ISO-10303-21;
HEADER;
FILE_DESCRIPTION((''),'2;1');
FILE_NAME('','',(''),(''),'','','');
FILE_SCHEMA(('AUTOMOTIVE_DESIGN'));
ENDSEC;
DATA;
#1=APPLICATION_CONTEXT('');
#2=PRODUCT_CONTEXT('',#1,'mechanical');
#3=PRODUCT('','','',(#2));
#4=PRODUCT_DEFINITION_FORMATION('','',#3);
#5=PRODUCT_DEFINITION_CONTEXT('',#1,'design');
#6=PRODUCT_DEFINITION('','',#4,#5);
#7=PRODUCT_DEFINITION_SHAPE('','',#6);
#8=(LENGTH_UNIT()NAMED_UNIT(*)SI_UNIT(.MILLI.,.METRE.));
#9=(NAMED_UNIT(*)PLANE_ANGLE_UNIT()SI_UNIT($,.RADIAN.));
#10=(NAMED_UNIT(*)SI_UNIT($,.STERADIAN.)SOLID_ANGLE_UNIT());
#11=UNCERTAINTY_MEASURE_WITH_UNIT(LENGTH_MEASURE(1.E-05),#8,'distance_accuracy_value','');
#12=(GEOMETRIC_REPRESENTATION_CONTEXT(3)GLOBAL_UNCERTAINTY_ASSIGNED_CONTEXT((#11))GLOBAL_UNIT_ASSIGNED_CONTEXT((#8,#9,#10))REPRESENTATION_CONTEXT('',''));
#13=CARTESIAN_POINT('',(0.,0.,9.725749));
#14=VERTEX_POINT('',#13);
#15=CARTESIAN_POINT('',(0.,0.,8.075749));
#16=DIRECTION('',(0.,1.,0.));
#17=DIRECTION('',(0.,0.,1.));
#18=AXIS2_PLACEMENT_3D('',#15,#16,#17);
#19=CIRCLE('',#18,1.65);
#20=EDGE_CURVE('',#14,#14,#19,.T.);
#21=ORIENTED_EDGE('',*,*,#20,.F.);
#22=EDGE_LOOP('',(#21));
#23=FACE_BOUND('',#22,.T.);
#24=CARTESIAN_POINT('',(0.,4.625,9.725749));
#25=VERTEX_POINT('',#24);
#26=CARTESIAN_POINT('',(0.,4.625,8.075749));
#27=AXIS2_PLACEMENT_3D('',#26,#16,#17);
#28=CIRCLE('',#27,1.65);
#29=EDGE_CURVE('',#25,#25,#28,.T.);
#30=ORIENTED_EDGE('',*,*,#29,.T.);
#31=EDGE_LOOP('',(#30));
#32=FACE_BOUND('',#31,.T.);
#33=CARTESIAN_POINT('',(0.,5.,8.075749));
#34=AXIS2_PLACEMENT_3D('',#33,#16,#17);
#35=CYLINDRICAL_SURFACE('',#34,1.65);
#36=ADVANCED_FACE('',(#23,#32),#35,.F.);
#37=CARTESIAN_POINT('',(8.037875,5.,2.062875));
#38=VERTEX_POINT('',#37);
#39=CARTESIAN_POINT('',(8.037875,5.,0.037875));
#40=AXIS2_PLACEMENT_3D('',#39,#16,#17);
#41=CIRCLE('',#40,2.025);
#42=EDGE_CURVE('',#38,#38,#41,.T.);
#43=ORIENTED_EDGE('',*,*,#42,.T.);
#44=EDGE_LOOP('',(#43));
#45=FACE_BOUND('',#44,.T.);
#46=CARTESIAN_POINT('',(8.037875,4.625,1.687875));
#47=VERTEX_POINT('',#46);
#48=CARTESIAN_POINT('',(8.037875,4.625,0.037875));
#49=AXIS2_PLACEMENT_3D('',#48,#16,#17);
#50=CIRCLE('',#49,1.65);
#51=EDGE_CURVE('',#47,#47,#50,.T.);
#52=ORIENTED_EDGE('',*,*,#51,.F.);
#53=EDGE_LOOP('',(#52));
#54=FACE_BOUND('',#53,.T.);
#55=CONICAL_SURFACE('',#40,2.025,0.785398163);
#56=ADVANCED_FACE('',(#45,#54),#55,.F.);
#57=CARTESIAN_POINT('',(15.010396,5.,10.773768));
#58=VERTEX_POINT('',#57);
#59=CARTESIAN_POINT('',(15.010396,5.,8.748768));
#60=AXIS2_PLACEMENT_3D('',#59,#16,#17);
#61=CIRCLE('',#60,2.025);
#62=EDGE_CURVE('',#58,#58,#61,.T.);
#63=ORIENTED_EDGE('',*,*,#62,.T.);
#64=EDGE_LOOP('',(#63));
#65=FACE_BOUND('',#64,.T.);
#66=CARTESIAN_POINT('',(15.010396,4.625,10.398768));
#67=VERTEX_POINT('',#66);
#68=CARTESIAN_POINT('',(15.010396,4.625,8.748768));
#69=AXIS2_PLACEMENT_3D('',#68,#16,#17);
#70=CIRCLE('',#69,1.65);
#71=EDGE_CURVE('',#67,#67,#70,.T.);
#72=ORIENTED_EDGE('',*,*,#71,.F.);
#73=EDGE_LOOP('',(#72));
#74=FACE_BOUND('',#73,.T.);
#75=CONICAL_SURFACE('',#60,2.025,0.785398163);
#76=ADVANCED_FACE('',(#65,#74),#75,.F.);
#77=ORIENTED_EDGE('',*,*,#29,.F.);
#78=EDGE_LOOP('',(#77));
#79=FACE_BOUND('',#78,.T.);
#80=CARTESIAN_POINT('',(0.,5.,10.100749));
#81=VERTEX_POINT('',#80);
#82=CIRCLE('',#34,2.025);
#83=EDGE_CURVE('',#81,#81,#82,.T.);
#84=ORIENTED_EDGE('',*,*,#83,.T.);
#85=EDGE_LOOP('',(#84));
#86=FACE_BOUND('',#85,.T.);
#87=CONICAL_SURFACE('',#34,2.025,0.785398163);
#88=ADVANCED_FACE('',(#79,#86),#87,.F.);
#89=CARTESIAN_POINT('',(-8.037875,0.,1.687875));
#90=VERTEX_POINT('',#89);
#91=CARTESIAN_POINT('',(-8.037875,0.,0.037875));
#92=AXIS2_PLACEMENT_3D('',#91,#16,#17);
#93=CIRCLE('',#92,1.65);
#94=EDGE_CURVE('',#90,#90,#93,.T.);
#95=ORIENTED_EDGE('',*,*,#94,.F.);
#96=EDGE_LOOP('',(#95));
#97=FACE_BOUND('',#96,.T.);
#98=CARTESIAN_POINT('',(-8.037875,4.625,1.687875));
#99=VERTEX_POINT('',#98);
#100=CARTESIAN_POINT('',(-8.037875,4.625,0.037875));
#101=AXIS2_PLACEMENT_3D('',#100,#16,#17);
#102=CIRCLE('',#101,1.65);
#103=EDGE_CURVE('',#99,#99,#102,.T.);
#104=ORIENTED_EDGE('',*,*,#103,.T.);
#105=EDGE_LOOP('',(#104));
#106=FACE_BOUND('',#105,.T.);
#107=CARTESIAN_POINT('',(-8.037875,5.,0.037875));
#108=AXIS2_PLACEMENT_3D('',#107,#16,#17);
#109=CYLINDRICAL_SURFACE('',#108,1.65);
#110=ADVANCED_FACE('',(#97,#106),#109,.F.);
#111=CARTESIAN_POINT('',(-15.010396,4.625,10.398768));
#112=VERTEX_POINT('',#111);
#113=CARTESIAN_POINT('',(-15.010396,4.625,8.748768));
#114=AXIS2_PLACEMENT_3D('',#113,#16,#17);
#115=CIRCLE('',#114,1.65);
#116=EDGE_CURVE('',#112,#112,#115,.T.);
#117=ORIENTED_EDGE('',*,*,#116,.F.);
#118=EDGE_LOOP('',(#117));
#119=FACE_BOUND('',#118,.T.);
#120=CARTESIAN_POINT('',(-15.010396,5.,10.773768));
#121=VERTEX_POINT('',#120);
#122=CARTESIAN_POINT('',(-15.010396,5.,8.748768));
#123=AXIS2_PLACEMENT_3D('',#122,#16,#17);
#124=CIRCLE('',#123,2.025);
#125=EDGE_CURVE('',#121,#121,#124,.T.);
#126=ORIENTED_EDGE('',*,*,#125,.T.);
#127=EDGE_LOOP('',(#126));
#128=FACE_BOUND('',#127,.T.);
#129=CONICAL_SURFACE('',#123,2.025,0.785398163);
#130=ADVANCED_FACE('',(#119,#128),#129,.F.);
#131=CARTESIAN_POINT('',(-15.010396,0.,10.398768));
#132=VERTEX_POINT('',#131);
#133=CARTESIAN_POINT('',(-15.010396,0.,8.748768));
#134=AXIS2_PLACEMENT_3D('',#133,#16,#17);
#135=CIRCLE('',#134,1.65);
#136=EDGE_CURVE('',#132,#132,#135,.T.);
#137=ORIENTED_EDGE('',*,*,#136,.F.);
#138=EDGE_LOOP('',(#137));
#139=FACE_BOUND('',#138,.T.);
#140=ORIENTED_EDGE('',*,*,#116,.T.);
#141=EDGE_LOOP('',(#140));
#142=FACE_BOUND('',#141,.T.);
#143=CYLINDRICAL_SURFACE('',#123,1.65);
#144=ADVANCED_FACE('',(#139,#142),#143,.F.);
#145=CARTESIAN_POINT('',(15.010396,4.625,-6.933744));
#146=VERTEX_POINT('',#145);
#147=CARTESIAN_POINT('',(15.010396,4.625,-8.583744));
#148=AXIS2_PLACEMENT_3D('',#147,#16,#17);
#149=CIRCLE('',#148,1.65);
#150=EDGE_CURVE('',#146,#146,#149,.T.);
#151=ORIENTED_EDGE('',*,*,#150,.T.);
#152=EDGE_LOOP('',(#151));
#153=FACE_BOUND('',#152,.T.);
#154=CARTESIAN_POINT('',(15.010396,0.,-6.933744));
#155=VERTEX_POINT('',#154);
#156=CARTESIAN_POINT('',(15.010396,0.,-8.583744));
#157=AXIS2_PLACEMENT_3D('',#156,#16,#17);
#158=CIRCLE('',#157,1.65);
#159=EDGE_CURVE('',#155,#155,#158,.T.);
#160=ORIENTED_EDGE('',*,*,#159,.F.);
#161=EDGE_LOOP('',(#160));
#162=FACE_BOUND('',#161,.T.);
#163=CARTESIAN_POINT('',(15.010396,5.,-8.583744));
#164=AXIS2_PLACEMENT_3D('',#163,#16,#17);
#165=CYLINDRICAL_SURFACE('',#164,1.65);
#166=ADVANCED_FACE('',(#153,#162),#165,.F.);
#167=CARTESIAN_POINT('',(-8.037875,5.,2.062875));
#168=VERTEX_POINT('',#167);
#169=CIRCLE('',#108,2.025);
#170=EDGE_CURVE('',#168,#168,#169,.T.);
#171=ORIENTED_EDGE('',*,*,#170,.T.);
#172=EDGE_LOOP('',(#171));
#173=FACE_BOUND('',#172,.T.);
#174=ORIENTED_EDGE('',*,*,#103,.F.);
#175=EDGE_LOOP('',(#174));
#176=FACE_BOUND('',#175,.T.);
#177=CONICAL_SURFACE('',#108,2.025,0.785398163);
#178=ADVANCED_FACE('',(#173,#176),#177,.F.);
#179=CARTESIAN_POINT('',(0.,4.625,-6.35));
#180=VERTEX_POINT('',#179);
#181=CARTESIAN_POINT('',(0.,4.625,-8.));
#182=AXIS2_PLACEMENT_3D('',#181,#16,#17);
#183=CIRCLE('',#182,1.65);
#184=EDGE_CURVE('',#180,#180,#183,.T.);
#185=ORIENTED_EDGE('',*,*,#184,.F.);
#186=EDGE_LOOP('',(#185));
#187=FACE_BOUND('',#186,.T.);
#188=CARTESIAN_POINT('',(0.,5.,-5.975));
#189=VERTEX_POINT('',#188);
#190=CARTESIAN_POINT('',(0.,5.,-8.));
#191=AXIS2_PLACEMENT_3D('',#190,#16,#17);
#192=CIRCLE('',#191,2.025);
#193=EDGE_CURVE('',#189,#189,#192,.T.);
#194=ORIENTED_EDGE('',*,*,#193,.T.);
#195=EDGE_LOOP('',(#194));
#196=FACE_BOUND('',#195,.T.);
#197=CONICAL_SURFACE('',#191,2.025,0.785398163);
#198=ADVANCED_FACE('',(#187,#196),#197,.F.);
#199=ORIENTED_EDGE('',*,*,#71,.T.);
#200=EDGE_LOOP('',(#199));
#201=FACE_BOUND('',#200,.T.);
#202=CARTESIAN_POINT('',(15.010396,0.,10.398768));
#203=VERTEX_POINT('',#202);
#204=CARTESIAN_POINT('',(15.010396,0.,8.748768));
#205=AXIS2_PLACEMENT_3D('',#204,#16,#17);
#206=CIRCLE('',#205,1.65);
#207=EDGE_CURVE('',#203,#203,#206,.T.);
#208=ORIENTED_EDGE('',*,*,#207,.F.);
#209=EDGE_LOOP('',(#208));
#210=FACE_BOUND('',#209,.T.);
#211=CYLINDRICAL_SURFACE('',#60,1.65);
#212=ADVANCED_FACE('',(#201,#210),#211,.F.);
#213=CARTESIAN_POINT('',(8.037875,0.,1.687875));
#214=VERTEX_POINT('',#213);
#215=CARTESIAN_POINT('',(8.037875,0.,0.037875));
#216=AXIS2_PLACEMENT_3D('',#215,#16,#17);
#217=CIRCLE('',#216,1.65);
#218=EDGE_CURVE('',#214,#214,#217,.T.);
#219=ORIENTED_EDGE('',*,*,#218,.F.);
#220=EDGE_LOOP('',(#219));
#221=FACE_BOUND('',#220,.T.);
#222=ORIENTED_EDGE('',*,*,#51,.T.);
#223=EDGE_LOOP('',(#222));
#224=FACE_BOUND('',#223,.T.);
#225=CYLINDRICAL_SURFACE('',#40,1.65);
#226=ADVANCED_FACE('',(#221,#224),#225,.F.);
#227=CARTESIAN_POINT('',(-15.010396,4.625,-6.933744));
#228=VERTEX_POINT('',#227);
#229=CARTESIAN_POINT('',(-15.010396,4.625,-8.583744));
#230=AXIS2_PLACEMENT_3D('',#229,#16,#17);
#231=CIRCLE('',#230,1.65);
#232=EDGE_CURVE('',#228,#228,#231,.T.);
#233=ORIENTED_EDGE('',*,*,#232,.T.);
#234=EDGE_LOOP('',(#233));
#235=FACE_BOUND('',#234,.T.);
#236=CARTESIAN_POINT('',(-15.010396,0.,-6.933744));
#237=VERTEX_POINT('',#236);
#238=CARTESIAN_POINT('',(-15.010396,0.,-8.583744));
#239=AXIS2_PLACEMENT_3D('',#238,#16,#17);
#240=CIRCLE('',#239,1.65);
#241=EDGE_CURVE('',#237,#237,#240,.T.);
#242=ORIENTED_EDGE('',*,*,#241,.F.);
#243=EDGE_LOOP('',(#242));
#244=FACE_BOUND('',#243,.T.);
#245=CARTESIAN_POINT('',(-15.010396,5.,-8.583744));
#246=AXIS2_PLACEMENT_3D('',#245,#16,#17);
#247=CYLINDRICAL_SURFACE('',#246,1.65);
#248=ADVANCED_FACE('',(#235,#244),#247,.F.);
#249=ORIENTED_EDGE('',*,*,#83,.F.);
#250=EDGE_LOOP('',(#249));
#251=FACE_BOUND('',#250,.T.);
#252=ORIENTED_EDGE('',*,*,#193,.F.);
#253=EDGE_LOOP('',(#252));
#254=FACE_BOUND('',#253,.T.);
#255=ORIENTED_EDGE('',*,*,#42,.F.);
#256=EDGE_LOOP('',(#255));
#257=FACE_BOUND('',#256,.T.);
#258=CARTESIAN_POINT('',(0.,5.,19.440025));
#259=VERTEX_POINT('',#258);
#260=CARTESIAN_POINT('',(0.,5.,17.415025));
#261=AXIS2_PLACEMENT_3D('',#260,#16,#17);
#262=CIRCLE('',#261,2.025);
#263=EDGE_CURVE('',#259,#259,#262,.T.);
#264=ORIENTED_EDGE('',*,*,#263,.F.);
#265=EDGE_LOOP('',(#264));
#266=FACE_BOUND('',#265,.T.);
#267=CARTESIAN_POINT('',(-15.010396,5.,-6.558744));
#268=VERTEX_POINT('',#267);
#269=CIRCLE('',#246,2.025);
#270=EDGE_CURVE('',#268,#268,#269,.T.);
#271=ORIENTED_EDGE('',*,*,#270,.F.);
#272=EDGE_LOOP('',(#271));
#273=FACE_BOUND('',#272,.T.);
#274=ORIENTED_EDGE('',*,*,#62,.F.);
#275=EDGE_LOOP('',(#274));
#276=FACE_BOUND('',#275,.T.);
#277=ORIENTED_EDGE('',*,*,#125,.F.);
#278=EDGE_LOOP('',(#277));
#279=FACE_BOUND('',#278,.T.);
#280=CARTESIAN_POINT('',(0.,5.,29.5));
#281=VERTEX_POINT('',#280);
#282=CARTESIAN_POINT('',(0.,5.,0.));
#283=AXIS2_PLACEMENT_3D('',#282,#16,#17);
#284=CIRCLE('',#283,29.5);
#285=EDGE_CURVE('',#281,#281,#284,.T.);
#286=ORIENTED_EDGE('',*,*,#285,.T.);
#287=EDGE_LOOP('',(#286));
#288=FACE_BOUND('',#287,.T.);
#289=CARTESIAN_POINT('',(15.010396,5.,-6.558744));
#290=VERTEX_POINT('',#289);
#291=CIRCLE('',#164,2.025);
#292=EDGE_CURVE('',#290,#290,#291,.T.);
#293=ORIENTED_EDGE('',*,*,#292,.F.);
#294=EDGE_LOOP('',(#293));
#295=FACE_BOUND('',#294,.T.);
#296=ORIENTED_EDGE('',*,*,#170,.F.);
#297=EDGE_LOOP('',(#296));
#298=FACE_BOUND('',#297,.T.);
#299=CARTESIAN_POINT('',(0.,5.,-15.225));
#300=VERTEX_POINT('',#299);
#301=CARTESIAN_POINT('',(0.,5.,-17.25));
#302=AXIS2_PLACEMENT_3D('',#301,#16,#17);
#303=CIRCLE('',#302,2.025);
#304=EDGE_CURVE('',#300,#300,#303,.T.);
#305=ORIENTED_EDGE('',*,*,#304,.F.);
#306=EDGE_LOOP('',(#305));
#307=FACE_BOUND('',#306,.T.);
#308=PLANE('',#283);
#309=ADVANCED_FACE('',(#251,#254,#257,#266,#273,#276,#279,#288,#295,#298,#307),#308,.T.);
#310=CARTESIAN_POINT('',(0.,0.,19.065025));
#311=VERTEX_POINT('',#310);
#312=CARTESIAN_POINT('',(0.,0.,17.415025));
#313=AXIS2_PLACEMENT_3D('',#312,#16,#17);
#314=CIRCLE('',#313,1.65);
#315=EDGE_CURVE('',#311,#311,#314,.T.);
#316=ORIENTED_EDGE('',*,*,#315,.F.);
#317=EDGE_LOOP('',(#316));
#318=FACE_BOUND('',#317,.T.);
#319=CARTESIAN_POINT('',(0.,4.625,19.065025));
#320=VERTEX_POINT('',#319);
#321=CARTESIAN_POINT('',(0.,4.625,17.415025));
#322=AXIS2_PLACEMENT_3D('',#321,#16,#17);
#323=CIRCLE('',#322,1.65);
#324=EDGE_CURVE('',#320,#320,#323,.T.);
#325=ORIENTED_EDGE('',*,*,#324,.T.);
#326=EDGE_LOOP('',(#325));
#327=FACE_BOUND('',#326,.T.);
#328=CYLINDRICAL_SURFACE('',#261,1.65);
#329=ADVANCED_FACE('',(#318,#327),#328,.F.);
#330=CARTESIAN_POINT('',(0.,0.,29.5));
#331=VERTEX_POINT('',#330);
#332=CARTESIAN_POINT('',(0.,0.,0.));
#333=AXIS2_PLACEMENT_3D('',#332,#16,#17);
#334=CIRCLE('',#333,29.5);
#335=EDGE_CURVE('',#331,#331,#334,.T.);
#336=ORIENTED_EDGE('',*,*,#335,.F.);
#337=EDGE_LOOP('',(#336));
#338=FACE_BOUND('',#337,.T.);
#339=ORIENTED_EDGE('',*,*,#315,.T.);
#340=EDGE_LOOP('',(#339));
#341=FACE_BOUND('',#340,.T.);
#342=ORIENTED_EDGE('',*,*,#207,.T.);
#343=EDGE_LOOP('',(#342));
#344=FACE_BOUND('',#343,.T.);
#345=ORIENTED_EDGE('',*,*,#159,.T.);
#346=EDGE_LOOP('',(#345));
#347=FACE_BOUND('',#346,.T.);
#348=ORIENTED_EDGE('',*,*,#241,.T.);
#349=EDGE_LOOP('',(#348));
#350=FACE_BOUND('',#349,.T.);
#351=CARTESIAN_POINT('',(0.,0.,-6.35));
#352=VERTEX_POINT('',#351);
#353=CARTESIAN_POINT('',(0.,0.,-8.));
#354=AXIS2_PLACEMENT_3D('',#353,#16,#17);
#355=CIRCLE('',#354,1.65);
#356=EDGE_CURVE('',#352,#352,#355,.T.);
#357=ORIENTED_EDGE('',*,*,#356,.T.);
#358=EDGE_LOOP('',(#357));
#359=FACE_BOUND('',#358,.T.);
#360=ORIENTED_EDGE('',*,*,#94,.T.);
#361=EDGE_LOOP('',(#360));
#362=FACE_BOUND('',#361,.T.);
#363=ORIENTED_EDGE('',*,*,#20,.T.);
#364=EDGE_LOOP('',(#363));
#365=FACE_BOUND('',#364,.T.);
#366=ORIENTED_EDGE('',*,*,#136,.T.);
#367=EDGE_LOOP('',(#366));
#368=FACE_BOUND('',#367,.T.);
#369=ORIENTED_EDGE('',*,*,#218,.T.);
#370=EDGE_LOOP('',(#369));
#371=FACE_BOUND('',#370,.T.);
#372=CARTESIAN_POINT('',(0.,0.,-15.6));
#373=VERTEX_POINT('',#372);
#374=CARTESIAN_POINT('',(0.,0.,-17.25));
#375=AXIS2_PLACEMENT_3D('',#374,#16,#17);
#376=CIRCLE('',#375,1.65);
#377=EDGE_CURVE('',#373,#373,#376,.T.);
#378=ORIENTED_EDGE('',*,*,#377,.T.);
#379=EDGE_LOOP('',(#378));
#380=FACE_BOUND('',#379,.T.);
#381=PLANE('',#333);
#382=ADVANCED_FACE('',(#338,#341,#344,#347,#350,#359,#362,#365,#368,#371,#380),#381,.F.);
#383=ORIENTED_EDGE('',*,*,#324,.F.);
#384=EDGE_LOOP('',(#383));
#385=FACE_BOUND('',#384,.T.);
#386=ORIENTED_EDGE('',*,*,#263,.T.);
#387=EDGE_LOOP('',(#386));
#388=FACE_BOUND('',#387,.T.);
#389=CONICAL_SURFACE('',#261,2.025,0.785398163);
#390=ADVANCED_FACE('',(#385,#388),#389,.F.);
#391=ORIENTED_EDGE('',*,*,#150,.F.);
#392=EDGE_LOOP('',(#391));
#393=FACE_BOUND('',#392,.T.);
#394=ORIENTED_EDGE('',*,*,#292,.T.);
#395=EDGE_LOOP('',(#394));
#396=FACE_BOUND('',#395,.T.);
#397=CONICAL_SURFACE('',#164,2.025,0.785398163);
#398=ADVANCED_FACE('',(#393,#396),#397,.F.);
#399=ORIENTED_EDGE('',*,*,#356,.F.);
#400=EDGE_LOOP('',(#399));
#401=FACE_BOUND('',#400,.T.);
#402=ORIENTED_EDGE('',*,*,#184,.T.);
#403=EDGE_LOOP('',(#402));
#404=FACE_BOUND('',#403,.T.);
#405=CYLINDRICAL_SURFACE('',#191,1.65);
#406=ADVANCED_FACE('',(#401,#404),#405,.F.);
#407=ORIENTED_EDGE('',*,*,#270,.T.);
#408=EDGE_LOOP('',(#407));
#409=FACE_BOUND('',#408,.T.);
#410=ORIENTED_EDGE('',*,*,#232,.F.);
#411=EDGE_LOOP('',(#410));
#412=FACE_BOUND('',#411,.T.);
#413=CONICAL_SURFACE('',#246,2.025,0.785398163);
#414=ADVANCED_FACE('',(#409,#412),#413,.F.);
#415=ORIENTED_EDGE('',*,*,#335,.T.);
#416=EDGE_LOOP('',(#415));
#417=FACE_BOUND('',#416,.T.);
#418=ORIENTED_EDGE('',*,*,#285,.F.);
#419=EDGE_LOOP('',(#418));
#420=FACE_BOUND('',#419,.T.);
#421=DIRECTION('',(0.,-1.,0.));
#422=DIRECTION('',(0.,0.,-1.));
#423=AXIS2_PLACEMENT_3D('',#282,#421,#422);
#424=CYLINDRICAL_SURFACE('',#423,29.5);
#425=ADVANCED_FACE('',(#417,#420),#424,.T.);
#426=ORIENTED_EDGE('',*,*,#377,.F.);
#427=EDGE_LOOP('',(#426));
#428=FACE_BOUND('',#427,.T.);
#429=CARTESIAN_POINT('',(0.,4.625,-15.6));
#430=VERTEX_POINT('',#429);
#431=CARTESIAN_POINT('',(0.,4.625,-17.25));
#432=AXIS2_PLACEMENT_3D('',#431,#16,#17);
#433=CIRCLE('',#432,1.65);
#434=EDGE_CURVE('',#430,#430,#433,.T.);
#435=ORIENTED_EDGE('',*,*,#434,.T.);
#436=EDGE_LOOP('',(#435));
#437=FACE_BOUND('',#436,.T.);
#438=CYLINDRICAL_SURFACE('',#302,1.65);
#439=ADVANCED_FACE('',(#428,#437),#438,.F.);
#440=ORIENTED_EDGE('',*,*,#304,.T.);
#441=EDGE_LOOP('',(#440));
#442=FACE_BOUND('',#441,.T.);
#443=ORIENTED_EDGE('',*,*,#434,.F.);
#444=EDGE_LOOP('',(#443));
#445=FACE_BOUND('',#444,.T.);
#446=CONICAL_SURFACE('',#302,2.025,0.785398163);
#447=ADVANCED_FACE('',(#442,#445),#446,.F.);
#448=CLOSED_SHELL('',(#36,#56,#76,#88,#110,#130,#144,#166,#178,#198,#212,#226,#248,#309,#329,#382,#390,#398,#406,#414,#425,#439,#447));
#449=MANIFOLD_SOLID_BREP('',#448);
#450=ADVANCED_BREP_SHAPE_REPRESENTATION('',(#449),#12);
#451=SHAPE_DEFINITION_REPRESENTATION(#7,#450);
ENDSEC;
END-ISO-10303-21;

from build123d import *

# Parameters (mm, degrees)
SKETCH_1_R               = 29.5
EXTRUDE_1_DEPTH          = 5
PATTERN_CIRCULAR_1_COUNT = 4
PATTERN_CIRCULAR_2_COUNT = 6


with BuildPart() as part:
    # 草图1 → 凸台-拉伸1 (new body)
    with BuildSketch(Plane(origin=(0, 0, 0), x_dir=(1, 0, 0), z_dir=(0, 1, 0))):
        with Locations(Location((0, 0, 0), (0, 0, 270))):
            Circle(SKETCH_1_R)
    extrude(amount=EXTRUDE_1_DEPTH)

    # 草图3 → M4 螺纹孔1 (revolve, cut)
    with BuildSketch(Plane(origin=(0, 5, -8), x_dir=(0, 0, 1), z_dir=(1, 0, 0))):
        Polygon((0, 0), (0, 11.091420021), (1.65, 10.1), (1.65, 0.375), (2.025, 0), align=None)
    hole_wizard_m4_1 = revolve(axis=Axis((0, 11.35, -8), (0, -1, 0)), mode=Mode.SUBTRACT)

    # 阵列(圆周)1: M4 螺纹孔1 ×4 about axis
    pattern_circular_1_axis = Axis((0, 0, 0.037874529), (0, 1, 0))
    for i in range(1, PATTERN_CIRCULAR_1_COUNT):
        add(hole_wizard_m4_1.rotate(pattern_circular_1_axis, i * 360 / PATTERN_CIRCULAR_1_COUNT), mode=Mode.SUBTRACT)

    # 草图5 → M4 螺纹孔2 (revolve, cut)
    with BuildSketch(Plane(origin=(0, 5, -17.25), x_dir=(0, 0, 1), z_dir=(1, 0, 0))):
        Polygon((0, 0), (0, 11.091420021), (1.65, 10.1), (1.65, 0.375), (2.025, 0), align=None)
    hole_wizard_m4_2 = revolve(axis=Axis((0, 11.35, -17.25), (0, -1, 0)), mode=Mode.SUBTRACT)

    # 阵列(圆周)2: M4 螺纹孔2 ×6 about axis
    pattern_circular_2_axis = Axis((0, 0, 0.082512271), (0, 1, 0))
    for i in range(1, PATTERN_CIRCULAR_2_COUNT):
        add(hole_wizard_m4_2.rotate(pattern_circular_2_axis, i * 360 / PATTERN_CIRCULAR_2_COUNT), mode=Mode.SUBTRACT)


solid = part.part
